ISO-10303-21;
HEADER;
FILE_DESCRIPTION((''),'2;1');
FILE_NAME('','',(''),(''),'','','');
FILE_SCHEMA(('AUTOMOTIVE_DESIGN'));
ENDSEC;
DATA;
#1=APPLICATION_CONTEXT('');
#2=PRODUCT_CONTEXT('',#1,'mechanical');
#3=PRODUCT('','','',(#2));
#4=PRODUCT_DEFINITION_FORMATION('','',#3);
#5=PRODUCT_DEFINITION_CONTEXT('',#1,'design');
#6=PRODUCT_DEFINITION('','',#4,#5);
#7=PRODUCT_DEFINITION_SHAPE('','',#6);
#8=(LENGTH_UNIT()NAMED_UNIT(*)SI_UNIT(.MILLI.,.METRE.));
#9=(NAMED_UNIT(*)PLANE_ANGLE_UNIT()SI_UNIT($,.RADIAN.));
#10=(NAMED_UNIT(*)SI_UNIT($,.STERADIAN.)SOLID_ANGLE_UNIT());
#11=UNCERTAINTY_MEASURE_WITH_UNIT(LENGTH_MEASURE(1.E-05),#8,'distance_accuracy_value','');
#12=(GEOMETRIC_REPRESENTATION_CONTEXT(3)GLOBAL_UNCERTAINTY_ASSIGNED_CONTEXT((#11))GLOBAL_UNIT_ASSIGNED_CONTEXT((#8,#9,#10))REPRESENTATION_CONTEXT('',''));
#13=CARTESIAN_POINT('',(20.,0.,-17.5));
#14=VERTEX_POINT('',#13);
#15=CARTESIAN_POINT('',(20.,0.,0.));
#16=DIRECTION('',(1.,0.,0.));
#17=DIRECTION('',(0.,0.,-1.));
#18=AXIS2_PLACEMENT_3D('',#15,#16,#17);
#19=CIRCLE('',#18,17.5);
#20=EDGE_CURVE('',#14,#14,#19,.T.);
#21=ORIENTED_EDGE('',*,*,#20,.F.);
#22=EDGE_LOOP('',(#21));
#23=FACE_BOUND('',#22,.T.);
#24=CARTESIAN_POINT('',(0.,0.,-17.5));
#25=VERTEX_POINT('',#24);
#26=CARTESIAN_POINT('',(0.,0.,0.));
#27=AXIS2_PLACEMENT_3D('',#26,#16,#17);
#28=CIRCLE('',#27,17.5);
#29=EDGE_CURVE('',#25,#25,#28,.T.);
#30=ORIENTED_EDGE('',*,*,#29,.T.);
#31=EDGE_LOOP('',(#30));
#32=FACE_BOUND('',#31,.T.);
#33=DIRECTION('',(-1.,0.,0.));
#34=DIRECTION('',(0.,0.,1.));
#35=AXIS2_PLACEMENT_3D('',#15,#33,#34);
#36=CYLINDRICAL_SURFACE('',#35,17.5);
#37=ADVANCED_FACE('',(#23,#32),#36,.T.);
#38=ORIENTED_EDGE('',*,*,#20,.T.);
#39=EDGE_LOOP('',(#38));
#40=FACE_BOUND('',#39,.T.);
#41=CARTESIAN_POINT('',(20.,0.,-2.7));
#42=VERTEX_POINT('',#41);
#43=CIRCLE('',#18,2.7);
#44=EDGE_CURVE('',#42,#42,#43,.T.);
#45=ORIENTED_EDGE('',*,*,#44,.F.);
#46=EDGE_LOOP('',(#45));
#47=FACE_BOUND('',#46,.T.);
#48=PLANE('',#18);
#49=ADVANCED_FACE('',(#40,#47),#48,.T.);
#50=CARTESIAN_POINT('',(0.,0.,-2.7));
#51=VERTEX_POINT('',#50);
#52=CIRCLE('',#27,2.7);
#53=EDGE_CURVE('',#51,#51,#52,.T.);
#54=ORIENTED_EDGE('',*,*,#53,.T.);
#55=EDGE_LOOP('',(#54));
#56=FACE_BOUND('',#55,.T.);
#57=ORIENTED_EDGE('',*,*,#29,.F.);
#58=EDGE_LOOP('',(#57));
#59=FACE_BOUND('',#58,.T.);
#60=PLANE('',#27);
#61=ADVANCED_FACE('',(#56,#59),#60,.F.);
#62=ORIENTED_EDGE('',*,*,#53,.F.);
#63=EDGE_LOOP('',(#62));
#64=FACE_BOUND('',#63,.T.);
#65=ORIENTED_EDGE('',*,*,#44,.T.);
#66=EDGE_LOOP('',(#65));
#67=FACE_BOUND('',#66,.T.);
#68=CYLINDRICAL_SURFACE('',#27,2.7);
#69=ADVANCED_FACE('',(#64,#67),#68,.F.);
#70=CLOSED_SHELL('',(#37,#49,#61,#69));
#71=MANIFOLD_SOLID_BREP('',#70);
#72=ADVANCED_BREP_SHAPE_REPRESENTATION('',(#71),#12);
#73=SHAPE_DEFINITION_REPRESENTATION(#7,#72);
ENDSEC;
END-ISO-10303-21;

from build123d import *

# Parameters (mm, degrees)
CROQUIS1_R              = 17.5
SALIENTE_EXTRUIR1_DEPTH = 20
CROQUIS2_R              = 2.7
CORTAR_EXTRUIR1_DEPTH   = 32.819805153


with BuildPart() as part:
    # Croquis1 → Saliente-Extruir1 (new body)
    with BuildSketch(Plane(origin=(0, 0, 0), x_dir=(0, 0, -1), z_dir=(1, 0, 0))):
        Circle(CROQUIS1_R)
    extrude(amount=SALIENTE_EXTRUIR1_DEPTH)

    # Croquis2 → Cortar-Extruir1 (cut, through all)
    with BuildSketch(Plane(origin=(20, 0, 0), x_dir=(0, 0, -1), z_dir=(1, 0, 0))):
        Circle(CROQUIS2_R)
    extrude(amount=-CORTAR_EXTRUIR1_DEPTH, mode=Mode.SUBTRACT)


solid = part.part
